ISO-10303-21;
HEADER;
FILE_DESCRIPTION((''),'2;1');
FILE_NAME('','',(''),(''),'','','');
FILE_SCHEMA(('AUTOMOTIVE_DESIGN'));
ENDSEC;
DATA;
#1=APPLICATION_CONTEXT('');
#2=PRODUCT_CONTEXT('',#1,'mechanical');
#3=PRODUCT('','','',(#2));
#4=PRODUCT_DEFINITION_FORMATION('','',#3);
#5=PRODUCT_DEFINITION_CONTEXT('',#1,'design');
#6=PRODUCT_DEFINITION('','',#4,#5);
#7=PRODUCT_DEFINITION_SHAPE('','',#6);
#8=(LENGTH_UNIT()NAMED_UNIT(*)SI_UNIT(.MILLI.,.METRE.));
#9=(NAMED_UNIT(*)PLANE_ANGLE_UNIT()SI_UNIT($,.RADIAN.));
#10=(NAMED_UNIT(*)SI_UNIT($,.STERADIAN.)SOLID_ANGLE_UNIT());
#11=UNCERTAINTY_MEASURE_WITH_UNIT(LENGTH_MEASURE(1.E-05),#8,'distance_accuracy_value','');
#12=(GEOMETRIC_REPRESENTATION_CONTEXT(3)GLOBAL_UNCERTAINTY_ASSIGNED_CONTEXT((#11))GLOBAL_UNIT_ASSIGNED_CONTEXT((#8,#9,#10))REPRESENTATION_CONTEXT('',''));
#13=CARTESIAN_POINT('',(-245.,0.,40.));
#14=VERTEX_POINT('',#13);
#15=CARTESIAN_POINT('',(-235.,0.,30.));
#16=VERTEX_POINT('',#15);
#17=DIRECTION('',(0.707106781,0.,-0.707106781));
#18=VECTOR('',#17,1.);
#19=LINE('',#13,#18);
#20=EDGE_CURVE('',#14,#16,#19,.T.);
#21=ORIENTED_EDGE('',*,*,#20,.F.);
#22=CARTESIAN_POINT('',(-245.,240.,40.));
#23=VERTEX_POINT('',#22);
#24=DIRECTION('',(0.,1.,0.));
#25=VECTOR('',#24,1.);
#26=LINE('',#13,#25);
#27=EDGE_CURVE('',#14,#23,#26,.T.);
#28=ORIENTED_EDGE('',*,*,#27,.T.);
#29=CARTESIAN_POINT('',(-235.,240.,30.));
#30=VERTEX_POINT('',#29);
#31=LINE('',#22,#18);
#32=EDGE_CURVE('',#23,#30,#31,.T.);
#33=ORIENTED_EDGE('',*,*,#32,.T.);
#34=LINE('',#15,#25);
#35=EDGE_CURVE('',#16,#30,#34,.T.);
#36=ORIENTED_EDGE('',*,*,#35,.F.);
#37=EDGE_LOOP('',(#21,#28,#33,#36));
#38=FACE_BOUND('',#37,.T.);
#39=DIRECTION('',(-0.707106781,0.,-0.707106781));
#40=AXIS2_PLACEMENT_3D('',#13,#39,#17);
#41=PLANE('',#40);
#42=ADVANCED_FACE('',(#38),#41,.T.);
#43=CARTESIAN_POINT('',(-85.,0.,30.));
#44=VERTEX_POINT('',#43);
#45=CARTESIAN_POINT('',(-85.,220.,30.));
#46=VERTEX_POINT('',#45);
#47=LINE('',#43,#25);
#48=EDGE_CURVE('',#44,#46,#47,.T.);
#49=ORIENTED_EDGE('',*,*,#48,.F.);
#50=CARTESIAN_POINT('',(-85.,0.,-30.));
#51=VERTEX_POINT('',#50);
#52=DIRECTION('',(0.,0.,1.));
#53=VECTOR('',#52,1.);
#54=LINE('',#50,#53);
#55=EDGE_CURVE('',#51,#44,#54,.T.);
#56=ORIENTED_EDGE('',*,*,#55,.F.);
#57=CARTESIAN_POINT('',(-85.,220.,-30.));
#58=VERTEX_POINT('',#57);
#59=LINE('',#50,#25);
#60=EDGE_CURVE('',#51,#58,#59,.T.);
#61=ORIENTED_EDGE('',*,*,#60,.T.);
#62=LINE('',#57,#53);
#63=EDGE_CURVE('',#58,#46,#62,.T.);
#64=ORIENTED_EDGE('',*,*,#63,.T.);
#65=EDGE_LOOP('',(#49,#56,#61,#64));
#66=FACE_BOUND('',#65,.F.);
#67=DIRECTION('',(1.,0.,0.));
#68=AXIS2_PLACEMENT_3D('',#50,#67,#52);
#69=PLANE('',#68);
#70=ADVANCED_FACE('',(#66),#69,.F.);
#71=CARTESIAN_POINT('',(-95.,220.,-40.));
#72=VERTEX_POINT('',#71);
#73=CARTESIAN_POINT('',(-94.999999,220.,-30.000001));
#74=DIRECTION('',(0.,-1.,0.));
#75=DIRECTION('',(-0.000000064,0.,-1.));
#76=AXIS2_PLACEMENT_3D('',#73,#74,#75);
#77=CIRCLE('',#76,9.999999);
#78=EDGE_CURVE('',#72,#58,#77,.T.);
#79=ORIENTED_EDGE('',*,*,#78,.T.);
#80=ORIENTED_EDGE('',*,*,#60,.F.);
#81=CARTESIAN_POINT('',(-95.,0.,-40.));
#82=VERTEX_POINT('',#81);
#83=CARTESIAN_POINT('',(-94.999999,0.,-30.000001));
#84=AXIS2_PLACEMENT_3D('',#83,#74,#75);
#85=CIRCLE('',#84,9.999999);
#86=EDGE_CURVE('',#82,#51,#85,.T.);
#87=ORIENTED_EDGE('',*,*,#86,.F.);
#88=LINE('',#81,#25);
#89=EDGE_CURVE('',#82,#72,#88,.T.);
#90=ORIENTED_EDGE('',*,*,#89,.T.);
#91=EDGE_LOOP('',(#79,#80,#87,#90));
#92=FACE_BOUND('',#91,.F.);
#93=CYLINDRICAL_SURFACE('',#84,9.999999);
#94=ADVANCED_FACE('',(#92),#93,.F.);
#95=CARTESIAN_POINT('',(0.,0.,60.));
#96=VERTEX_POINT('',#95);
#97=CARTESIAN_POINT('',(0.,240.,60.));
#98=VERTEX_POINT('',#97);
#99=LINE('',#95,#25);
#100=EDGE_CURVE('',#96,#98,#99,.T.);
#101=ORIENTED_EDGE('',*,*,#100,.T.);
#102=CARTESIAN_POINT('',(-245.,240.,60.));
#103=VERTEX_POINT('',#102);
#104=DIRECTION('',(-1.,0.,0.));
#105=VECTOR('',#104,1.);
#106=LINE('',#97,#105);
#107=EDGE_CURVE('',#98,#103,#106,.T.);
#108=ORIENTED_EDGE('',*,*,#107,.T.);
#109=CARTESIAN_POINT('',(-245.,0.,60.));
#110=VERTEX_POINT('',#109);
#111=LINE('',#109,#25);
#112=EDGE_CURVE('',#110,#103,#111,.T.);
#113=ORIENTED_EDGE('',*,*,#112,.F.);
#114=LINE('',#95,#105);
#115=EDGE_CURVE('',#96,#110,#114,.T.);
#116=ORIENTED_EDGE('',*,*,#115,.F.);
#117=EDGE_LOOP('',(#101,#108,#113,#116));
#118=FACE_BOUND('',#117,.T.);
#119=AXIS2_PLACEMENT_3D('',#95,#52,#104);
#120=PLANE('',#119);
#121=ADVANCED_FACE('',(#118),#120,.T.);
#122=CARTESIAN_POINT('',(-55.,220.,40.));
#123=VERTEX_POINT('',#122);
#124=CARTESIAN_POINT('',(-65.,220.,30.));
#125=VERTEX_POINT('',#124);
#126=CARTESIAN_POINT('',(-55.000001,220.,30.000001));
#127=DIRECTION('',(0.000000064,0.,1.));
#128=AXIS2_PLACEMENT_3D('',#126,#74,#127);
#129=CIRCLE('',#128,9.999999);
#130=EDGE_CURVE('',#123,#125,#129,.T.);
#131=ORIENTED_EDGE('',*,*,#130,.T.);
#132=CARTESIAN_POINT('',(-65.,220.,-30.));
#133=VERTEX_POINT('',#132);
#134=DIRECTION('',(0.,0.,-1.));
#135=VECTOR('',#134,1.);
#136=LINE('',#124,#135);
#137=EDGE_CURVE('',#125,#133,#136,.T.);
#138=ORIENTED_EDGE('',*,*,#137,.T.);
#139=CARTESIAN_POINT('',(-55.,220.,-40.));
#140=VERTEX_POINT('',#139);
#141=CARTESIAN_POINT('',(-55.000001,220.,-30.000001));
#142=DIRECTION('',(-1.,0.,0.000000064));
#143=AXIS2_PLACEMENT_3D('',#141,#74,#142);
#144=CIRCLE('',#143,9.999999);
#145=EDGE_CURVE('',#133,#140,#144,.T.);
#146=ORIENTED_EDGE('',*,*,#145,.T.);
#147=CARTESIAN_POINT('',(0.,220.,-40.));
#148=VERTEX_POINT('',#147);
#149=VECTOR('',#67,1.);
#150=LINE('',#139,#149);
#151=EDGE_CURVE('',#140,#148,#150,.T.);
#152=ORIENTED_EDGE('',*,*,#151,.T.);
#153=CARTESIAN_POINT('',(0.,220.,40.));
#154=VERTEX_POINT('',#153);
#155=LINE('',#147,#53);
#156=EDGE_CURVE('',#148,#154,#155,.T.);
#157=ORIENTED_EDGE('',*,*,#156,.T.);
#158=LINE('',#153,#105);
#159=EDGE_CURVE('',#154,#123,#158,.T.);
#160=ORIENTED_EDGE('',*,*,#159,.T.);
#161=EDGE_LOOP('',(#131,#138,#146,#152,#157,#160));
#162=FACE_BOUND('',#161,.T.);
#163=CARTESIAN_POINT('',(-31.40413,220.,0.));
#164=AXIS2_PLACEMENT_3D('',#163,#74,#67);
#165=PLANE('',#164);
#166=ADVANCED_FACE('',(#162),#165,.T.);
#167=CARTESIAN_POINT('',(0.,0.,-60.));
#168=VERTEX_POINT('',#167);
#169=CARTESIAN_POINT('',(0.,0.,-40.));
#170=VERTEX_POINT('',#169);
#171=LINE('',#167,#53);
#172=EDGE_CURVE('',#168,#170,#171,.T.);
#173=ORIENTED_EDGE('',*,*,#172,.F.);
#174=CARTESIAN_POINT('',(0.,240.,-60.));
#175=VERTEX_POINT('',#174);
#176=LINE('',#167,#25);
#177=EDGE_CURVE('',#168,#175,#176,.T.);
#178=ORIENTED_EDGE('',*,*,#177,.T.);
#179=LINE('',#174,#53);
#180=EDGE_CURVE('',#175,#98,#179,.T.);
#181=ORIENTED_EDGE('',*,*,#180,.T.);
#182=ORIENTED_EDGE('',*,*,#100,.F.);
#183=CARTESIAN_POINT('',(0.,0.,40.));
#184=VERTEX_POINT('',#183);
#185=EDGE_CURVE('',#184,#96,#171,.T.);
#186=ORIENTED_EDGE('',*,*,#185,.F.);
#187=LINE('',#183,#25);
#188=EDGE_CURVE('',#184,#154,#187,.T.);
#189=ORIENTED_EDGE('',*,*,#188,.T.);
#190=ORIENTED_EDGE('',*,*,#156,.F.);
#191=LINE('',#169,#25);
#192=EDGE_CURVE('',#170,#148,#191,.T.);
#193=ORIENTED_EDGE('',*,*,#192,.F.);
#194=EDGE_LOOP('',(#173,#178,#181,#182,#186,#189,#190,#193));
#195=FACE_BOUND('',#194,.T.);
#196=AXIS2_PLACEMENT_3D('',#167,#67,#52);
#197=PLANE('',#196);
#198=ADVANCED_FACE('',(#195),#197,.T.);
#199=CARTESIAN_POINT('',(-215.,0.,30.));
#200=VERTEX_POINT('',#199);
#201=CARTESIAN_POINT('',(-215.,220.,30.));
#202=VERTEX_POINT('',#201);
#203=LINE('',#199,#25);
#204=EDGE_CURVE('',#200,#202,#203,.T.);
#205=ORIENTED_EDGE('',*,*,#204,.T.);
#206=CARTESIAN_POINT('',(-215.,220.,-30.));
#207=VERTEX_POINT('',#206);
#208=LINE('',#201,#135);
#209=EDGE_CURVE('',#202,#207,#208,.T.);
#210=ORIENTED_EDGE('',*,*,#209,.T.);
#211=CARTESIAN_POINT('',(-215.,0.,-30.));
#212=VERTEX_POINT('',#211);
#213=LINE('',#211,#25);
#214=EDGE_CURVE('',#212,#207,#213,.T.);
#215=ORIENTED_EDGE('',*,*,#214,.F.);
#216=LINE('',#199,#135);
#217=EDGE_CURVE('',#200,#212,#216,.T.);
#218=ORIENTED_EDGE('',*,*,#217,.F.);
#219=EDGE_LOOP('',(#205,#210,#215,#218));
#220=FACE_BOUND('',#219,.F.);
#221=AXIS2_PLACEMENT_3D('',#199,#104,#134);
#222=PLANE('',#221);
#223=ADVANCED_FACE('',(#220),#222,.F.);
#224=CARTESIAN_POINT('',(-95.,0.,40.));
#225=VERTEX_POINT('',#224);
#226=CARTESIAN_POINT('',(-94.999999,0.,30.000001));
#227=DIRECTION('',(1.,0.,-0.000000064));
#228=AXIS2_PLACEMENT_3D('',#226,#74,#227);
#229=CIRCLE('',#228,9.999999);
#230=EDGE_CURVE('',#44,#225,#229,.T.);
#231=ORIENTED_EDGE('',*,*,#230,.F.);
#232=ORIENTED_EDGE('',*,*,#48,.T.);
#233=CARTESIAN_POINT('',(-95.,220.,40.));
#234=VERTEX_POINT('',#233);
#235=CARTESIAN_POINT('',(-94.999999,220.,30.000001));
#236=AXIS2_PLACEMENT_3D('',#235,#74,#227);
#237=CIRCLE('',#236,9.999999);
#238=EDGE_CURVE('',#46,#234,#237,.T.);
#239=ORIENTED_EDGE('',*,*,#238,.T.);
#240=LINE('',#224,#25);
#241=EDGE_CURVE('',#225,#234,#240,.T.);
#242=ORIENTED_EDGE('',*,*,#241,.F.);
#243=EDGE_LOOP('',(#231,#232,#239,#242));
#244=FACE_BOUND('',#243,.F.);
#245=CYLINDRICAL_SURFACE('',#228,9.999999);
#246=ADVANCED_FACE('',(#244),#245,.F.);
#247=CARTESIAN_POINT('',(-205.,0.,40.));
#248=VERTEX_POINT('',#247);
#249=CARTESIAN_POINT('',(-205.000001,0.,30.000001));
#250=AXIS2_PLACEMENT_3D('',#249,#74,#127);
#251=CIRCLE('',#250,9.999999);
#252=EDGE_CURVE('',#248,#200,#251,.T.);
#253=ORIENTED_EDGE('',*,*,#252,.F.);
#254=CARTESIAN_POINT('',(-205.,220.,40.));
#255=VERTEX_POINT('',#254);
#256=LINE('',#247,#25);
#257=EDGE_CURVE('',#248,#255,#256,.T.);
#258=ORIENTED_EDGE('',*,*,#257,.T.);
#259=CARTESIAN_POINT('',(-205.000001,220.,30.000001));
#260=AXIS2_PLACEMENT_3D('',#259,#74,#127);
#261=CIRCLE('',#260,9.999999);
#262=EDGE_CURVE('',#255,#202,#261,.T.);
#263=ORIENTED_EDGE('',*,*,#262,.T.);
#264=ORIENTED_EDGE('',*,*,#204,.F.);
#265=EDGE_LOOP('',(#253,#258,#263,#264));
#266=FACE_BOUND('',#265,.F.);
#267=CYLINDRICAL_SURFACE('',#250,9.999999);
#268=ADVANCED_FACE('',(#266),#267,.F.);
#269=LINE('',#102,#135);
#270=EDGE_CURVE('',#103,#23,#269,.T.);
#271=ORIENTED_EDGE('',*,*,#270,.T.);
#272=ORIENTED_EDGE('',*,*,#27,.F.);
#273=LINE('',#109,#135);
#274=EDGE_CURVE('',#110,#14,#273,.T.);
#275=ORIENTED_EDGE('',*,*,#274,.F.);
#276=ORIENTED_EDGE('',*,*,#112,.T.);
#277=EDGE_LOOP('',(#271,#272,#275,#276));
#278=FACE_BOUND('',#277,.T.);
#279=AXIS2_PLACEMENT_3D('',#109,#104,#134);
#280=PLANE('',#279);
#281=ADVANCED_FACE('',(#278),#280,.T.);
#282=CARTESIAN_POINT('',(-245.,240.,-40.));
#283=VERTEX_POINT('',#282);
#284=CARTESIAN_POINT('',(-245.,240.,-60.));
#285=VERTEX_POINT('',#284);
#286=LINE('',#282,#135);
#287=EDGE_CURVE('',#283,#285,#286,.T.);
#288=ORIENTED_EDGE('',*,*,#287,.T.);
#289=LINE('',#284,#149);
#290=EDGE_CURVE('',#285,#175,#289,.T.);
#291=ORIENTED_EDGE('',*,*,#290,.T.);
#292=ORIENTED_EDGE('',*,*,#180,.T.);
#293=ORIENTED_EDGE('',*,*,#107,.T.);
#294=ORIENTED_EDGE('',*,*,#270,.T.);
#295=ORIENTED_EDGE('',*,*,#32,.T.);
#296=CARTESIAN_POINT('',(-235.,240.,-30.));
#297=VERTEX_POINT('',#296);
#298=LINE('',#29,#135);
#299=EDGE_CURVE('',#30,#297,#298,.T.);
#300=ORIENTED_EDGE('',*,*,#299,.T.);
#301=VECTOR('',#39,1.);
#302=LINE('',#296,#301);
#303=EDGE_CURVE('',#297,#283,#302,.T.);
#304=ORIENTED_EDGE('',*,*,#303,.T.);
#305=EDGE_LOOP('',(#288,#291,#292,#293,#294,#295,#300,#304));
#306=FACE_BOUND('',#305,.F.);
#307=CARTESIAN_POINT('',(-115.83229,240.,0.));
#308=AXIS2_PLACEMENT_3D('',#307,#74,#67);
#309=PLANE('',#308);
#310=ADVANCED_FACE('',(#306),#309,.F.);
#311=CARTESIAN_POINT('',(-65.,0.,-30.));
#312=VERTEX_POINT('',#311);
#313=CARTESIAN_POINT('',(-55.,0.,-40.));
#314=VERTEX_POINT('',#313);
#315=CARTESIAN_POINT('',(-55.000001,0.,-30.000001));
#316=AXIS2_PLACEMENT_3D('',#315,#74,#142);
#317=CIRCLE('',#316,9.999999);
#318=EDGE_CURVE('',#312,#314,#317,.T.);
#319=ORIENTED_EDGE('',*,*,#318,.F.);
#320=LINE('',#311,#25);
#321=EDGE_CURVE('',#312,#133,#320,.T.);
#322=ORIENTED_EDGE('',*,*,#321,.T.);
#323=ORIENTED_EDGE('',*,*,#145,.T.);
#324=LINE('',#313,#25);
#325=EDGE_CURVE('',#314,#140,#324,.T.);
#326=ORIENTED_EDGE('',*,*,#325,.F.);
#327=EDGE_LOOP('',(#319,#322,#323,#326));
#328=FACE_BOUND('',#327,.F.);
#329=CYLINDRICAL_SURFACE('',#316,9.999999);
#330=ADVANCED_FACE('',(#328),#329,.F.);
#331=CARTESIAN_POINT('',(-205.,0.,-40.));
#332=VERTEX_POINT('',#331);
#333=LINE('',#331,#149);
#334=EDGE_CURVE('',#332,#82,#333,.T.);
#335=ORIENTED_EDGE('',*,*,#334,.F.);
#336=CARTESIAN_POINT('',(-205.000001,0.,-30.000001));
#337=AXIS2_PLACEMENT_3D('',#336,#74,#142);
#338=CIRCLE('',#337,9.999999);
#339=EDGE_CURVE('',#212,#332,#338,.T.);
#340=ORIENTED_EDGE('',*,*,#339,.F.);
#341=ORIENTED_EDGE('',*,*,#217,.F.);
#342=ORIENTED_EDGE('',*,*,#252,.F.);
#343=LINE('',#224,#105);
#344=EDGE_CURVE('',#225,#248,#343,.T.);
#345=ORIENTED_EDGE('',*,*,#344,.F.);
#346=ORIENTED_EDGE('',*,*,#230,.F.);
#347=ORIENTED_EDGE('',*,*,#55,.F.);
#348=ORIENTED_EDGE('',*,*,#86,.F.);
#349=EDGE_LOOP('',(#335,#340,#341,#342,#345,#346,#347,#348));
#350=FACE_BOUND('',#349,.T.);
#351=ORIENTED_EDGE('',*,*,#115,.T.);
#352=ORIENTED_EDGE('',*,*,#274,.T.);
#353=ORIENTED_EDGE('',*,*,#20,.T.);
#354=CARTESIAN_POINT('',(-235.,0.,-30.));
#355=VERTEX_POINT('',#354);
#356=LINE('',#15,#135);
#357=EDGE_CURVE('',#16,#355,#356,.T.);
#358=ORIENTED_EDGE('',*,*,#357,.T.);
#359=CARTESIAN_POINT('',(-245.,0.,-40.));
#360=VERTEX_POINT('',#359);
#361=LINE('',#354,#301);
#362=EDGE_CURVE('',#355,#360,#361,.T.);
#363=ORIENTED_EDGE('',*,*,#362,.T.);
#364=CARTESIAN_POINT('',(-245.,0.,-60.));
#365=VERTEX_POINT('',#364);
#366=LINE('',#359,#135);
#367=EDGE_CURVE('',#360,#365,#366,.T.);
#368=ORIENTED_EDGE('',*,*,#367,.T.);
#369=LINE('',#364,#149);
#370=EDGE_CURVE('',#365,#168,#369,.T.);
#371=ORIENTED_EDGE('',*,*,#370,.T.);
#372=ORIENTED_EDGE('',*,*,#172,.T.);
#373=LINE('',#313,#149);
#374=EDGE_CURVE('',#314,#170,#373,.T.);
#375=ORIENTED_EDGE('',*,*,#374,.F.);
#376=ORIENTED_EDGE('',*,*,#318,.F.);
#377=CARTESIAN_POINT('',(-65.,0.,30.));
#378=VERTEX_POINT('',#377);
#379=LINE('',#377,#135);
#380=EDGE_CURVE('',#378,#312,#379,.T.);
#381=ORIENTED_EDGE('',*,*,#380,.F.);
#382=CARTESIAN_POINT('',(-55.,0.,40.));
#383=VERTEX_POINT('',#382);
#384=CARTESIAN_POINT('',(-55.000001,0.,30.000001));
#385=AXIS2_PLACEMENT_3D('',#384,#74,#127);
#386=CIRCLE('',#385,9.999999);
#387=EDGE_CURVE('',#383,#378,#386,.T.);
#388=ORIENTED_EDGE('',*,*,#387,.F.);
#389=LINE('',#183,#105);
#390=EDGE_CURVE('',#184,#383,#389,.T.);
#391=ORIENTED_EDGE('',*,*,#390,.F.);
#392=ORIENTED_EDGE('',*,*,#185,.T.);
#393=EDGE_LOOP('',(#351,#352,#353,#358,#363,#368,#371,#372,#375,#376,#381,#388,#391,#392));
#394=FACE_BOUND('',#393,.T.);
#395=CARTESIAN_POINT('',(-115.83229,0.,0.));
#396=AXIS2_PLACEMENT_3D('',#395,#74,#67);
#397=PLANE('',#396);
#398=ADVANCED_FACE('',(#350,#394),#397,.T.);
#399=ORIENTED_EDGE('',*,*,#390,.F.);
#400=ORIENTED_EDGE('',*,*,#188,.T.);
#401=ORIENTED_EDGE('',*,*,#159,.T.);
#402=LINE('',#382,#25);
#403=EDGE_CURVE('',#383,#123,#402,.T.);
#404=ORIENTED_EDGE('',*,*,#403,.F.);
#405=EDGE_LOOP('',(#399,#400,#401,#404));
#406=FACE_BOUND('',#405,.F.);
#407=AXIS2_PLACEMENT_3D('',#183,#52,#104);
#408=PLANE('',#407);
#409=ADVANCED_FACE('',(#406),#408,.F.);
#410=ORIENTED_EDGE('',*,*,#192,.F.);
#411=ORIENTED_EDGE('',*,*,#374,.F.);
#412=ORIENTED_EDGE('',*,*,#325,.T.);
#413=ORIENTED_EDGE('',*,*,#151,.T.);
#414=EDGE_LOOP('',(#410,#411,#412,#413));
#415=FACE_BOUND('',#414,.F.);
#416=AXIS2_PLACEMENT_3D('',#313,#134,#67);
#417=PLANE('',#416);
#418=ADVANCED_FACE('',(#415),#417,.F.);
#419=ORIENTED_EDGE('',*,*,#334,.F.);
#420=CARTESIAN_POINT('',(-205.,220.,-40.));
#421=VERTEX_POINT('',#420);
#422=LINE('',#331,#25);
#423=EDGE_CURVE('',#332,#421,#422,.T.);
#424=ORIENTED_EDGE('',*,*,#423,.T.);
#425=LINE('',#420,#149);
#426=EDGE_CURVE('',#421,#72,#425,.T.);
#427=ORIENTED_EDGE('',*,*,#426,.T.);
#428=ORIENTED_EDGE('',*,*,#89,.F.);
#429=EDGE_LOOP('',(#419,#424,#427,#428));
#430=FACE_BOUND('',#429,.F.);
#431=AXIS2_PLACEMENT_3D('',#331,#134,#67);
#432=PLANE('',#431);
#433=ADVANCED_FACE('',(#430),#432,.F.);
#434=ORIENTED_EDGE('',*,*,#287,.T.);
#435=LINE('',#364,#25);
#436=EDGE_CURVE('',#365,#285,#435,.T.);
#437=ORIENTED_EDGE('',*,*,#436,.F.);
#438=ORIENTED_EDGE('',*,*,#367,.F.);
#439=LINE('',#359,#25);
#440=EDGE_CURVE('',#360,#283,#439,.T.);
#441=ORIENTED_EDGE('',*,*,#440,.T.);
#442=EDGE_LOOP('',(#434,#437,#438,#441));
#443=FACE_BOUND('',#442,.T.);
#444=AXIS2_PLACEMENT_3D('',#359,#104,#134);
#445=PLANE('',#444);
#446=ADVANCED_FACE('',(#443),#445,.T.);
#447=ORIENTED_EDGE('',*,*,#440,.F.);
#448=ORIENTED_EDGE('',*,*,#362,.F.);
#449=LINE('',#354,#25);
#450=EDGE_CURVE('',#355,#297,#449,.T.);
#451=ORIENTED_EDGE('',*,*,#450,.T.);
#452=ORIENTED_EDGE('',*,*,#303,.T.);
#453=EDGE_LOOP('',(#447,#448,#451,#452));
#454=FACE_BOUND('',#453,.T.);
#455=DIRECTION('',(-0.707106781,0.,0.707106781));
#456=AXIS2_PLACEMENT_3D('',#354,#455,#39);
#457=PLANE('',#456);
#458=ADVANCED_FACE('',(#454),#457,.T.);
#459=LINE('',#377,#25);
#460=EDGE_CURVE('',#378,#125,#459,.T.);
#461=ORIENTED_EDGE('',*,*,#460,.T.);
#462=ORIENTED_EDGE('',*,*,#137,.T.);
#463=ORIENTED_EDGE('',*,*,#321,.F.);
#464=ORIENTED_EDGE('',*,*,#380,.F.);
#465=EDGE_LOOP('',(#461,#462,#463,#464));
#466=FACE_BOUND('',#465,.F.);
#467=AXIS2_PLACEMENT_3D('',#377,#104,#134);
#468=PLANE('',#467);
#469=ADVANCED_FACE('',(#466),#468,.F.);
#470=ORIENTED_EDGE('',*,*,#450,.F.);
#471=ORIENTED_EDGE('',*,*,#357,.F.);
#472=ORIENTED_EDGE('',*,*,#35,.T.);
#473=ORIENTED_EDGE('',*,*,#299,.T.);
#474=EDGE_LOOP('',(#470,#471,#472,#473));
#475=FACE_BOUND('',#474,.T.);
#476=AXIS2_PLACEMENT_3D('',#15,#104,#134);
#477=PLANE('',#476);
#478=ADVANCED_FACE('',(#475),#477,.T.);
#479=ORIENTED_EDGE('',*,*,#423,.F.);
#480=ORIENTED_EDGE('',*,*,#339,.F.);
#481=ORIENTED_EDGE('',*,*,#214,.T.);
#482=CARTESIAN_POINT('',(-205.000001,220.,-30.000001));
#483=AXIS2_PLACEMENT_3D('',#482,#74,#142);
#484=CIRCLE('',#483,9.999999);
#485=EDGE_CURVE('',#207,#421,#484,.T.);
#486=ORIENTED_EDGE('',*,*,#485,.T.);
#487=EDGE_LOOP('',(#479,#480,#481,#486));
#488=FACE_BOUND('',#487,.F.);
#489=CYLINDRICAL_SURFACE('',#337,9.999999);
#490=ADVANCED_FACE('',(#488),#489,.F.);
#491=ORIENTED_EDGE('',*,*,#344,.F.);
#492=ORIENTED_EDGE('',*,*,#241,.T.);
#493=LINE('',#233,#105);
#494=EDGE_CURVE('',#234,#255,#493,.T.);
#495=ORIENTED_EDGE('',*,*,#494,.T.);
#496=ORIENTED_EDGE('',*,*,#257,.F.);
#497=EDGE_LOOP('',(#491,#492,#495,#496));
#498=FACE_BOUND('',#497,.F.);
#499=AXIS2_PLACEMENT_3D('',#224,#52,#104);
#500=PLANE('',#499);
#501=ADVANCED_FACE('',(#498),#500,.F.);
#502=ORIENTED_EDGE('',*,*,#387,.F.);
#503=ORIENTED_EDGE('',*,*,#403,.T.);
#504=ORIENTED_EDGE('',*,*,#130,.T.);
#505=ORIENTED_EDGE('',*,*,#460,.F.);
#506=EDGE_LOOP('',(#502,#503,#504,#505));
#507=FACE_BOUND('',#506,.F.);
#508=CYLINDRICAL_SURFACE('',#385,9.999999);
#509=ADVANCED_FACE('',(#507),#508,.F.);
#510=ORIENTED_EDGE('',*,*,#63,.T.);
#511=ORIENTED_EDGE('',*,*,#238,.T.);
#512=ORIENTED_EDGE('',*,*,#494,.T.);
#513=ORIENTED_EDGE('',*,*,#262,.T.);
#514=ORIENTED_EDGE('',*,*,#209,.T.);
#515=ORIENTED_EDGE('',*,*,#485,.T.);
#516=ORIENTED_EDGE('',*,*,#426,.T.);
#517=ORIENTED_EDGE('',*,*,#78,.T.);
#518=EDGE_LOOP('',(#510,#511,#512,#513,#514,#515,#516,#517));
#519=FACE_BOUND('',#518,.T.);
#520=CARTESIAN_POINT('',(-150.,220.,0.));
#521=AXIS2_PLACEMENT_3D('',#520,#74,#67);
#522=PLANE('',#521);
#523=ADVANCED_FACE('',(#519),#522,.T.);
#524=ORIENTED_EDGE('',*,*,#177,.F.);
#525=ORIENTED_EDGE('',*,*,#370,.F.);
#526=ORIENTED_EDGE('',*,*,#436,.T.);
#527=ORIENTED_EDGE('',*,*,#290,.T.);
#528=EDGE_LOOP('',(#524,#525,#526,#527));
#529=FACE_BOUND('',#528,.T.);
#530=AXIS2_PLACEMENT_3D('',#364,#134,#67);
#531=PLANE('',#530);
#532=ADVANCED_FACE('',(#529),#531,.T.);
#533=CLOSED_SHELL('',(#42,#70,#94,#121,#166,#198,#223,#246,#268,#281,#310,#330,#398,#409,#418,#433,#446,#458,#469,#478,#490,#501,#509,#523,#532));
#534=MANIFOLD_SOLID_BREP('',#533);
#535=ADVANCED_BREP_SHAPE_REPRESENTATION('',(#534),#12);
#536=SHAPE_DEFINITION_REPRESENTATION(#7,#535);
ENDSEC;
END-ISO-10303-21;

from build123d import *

# Parameters (mm, degrees)
F1_DEPTH = 240
F2_DEPTH = 220


with BuildPart() as f1:
    # F0 (on Front) → F1 (new body)
    with BuildSketch(Plane.XZ):
        with BuildLine():
            Line((-245, -40), (-245, -60))
            Line((-245, -60), (0, -60))
            Line((0, -60), (0, -40))
            Line((0, -40), (-55, -40))
            ThreePointArc((-55, -40), (-62.071068, -37.071068), (-65, -30))
            Line((-65, -30), (-65, 30))
            ThreePointArc((-65, 30), (-62.071068, 37.071068), (-55, 40))
            Line((-55, 40), (0, 40))
            Line((0, 40), (0, 60))
            Line((0, 60), (-245, 60))
            Line((-245, 60), (-245, 40))
            Line((-245, 40), (-235, 30))
            Line((-235, 30), (-235, 0))
            Line((-235, 0), (-235, -30))
            Line((-235, -30), (-245, -40))
        make_face()
        with BuildLine():
            ThreePointArc((-215, 30), (-212.071068, 37.071068), (-205, 40))
            Line((-205, 40), (-95, 40))
            ThreePointArc((-95, 40), (-87.928932, 37.071068), (-85, 30))
            Line((-85, 30), (-85, -30))
            ThreePointArc((-85, -30), (-87.928932, -37.071068), (-95, -40))
            Line((-95, -40), (-205, -40))
            ThreePointArc((-205, -40), (-212.071068, -37.071068), (-215, -30))
            Line((-215, -30), (-215, 30))
        make_face(mode=Mode.SUBTRACT)
        with BuildLine():
            Line((-95, 40), (-205, 40))
            ThreePointArc((-205, 40), (-212.071068, 37.071068), (-215, 30))
            Line((-215, 30), (-215, -30))
            ThreePointArc((-215, -30), (-212.071068, -37.071068), (-205, -40))
            Line((-205, -40), (-95, -40))
            ThreePointArc((-95, -40), (-87.928932, -37.071068), (-85, -30))
            Line((-85, -30), (-85, 30))
            ThreePointArc((-85, 30), (-87.928932, 37.071068), (-95, 40))
        make_face()
        with BuildLine():
            Line((-55, -40), (0, -40))
            Line((0, -40), (0, 40))
            Line((0, 40), (-55, 40))
            ThreePointArc((-55, 40), (-62.071068, 37.071068), (-65, 30))
            Line((-65, 30), (-65, -30))
            ThreePointArc((-65, -30), (-62.071068, -37.071068), (-55, -40))
        make_face()
    extrude(amount=-F1_DEPTH)

    # F0 (on Front) → F2 (cut)
    with BuildSketch(Plane.XZ):
        with BuildLine():
            Line((-95, 40), (-205, 40))
            ThreePointArc((-205, 40), (-212.071068, 37.071068), (-215, 30))
            Line((-215, 30), (-215, -30))
            ThreePointArc((-215, -30), (-212.071068, -37.071068), (-205, -40))
            Line((-205, -40), (-95, -40))
            ThreePointArc((-95, -40), (-87.928932, -37.071068), (-85, -30))
            Line((-85, -30), (-85, 30))
            ThreePointArc((-85, 30), (-87.928932, 37.071068), (-95, 40))
        make_face()
        with BuildLine():
            Line((-55, -40), (0, -40))
            Line((0, -40), (0, 40))
            Line((0, 40), (-55, 40))
            ThreePointArc((-55, 40), (-62.071068, 37.071068), (-65, 30))
            Line((-65, 30), (-65, -30))
            ThreePointArc((-65, -30), (-62.071068, -37.071068), (-55, -40))
        make_face()
    extrude(amount=-F2_DEPTH, mode=Mode.SUBTRACT)


solid = f1.part
